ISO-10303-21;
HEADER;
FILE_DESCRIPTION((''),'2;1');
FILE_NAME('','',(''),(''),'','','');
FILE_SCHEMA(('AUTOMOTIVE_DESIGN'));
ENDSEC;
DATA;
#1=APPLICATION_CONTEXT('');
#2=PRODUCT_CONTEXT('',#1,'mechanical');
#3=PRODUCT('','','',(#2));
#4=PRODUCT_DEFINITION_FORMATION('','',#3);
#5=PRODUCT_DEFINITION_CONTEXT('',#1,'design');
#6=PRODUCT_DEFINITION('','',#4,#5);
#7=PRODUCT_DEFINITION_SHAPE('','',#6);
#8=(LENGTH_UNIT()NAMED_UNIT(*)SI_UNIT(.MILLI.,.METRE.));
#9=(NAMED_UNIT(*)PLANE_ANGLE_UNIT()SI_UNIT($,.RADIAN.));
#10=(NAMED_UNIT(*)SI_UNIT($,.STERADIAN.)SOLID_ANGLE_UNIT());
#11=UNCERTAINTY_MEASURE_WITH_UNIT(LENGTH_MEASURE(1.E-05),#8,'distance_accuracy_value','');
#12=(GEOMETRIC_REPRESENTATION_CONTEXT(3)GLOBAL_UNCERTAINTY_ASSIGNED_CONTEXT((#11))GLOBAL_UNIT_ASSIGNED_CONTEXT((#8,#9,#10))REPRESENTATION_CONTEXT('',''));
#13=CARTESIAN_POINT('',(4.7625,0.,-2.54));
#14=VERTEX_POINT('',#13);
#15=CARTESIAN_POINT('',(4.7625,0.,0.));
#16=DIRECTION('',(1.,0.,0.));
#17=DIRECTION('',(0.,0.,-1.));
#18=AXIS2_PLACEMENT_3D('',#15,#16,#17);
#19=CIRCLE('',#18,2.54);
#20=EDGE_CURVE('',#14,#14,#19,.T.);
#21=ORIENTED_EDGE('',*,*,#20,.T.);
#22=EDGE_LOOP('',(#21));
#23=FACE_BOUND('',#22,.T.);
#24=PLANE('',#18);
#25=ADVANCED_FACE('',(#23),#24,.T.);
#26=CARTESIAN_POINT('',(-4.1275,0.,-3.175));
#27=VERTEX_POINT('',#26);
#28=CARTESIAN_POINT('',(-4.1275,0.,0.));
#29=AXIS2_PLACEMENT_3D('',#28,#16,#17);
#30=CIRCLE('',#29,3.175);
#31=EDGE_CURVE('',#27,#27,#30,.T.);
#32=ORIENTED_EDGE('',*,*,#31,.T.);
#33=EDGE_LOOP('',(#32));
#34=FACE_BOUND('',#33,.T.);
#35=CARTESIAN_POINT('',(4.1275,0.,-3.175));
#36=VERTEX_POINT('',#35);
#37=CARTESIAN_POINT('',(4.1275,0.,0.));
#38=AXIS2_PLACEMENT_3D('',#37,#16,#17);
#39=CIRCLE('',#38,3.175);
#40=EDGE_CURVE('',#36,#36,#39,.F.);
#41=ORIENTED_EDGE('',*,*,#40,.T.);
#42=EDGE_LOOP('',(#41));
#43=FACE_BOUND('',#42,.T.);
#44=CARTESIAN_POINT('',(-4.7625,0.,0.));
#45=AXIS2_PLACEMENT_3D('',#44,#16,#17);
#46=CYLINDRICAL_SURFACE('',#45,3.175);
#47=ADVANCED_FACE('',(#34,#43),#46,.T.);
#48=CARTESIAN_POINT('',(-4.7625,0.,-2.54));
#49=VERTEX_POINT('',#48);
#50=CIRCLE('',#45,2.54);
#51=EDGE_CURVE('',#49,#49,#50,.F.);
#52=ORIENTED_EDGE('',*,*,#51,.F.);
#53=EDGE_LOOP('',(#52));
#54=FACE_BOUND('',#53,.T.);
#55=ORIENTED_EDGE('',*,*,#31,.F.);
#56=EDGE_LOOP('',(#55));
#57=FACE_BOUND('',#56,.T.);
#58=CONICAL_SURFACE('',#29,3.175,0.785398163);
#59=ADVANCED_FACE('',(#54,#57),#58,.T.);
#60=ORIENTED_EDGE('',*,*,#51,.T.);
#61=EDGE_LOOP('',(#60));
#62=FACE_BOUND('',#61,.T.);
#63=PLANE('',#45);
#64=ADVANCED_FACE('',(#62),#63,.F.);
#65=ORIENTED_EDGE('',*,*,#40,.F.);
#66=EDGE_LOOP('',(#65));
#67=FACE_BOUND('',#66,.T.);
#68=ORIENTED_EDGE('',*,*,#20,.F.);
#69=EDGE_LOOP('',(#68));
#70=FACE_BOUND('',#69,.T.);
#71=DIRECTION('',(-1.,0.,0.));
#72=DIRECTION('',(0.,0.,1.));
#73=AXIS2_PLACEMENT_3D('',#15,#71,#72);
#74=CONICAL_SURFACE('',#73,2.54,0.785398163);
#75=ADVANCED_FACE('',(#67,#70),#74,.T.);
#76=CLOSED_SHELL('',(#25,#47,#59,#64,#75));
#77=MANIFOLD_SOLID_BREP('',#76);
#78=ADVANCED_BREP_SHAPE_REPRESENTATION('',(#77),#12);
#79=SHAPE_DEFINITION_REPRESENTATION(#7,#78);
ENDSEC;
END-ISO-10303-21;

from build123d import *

# Parameters (mm, degrees)
EXTRUDE1_DEPTH      = 4.7625
EXTRUDE1_DEPTH_BACK = 4.7625
SKETCH2_R           = 3.175
CHAMFER1_SIZE       = 0.635


with BuildPart() as part:
    # Sketch2 → Extrude1 (new, two sides: drawn at the far end of the back side and taken through both)
    with BuildSketch(Plane(origin=(0, 0, 0), x_dir=(0, 0, -1), z_dir=(1, 0, 0)).offset(-EXTRUDE1_DEPTH_BACK)):
        Circle(SKETCH2_R)
    extrude(amount=EXTRUDE1_DEPTH + EXTRUDE1_DEPTH_BACK)

    # Chamfer1
    chamfer1_edges = [part.edges().sort_by_distance(p)[0] for p in [
        (-4.7625, 0, 3.175),
        (4.7625, 0, 3.175),
    ]]
    chamfer(chamfer1_edges, length=CHAMFER1_SIZE)


solid = part.part
